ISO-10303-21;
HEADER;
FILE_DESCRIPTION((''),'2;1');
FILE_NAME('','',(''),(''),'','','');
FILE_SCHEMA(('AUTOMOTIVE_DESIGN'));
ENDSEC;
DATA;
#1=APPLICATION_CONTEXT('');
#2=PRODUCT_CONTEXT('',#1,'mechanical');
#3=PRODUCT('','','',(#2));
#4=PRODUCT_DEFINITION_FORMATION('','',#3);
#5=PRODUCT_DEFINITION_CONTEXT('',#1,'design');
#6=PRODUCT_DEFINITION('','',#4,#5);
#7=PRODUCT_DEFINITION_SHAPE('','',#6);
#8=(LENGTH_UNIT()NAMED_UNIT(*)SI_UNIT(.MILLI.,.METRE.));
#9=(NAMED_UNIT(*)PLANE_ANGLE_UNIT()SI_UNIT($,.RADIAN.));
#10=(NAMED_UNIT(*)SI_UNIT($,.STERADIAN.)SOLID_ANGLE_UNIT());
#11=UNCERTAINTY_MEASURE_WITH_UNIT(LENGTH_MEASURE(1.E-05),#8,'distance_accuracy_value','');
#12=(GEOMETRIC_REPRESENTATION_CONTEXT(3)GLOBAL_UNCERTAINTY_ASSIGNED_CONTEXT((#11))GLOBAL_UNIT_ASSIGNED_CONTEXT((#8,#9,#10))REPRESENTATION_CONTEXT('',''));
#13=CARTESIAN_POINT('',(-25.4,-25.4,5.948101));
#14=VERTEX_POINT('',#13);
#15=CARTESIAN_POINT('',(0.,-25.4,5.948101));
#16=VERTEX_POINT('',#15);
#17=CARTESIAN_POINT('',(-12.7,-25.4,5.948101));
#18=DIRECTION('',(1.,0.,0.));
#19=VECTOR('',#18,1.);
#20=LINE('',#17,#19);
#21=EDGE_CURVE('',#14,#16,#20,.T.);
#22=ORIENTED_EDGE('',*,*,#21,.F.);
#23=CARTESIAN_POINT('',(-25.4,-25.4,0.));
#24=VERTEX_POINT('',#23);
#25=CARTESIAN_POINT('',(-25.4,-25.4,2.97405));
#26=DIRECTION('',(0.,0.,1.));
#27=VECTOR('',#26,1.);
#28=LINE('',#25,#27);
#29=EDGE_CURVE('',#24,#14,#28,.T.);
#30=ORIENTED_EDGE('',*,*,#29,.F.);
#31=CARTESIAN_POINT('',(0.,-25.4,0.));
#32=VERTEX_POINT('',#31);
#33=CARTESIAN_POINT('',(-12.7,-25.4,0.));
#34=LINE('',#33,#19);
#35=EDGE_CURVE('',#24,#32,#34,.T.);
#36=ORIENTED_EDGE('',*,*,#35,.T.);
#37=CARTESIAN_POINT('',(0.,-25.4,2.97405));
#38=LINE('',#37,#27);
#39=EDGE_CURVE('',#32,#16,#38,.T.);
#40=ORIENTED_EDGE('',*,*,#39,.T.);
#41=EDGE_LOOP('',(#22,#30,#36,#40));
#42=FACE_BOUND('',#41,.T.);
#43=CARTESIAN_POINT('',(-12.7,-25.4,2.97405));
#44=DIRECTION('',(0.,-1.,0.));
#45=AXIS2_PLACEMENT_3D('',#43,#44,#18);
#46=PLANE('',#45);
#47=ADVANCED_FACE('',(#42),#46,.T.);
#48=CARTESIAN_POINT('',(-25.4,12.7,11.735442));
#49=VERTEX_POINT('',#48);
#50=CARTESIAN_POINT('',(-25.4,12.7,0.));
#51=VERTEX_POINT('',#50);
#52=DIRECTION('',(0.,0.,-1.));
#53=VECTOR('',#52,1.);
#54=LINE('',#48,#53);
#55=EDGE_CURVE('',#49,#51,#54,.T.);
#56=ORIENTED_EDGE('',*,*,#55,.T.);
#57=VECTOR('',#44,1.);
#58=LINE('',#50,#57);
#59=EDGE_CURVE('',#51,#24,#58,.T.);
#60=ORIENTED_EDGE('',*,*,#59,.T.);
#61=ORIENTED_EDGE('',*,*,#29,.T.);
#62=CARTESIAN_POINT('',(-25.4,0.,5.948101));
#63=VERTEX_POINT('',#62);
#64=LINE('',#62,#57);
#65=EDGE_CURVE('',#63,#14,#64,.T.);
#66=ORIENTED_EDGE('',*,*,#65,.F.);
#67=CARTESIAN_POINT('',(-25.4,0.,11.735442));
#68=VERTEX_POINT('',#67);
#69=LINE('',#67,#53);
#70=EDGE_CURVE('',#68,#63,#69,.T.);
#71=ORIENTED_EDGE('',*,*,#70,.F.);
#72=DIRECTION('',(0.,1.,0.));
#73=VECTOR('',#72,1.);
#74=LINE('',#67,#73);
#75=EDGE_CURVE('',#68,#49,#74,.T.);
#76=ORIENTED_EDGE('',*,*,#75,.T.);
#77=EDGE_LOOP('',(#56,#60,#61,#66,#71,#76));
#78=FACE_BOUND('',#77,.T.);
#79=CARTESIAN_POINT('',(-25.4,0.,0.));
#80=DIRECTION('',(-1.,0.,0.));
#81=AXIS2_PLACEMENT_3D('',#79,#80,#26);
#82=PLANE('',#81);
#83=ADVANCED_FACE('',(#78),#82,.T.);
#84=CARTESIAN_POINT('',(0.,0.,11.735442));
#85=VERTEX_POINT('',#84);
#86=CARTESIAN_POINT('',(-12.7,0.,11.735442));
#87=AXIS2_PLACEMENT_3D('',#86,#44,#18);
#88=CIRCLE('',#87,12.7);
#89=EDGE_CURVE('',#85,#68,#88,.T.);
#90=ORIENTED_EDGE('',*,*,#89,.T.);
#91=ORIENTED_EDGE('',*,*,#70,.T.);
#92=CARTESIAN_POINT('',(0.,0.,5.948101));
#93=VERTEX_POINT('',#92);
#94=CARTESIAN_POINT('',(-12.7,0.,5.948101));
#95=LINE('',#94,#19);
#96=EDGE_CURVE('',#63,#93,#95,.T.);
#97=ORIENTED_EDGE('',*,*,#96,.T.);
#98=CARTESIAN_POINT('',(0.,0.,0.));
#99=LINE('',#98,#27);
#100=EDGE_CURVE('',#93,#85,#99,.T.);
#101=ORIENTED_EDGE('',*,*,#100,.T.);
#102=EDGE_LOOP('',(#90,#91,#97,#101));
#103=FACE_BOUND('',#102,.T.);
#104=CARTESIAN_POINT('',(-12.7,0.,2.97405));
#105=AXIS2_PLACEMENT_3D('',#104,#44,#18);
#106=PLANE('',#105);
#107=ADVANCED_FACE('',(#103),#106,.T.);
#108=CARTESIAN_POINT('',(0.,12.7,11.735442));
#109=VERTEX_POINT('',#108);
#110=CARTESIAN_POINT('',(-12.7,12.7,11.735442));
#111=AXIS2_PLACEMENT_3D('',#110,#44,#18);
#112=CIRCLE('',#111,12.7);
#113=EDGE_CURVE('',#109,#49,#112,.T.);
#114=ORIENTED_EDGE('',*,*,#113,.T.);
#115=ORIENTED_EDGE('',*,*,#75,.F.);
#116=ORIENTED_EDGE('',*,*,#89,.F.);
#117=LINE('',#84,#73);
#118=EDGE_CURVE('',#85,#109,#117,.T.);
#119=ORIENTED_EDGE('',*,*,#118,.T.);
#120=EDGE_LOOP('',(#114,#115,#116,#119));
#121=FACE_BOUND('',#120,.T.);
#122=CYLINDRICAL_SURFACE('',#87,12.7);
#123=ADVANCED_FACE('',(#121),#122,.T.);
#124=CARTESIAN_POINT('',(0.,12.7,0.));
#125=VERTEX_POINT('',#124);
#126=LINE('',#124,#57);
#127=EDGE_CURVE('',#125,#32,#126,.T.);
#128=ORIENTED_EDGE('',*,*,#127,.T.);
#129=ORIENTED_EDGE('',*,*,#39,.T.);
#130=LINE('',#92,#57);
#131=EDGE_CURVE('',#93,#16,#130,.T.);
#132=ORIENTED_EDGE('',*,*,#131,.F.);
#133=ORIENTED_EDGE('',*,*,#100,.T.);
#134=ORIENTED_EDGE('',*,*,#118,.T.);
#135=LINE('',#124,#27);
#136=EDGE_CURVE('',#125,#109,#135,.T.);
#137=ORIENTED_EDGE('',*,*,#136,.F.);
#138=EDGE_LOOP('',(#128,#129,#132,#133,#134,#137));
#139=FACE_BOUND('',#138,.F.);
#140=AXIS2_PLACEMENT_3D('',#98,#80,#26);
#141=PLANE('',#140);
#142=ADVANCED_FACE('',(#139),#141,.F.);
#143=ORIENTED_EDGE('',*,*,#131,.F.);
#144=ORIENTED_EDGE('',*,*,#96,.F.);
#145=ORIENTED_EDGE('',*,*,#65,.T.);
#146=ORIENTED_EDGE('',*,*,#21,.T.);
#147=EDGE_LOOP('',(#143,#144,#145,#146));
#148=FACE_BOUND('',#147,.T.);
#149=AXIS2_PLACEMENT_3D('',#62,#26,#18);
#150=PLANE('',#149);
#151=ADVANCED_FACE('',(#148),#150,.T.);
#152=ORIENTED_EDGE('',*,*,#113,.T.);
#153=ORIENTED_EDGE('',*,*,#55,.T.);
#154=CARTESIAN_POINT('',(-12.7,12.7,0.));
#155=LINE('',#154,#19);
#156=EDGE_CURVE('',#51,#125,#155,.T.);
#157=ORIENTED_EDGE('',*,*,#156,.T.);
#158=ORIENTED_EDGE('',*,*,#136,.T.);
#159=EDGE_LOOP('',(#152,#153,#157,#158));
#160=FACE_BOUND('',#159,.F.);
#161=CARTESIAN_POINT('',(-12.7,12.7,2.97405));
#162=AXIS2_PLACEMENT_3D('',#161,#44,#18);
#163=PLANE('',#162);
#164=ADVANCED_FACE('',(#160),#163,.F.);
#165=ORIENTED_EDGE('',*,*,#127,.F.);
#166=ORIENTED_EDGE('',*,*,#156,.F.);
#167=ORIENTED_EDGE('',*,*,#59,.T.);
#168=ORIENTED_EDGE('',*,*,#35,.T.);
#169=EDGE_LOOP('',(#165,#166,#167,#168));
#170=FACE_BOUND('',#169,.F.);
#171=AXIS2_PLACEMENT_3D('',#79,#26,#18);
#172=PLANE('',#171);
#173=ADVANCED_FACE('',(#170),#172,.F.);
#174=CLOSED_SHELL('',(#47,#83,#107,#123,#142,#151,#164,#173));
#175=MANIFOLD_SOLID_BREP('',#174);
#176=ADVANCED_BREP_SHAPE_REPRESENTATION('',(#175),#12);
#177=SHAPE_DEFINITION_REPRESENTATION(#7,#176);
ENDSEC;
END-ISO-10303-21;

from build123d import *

# Parameters (mm, degrees)
F0_W     = 25.4
F0_H     = 5.9481007091
F1_DEPTH = 12.7
F2_DEPTH = 25.4


with BuildPart() as f1:
    # F0 (on Front) → F1 (new body)
    with BuildSketch(Plane.XZ):
        with Locations((-12.7, 2.9740503545)):
            Rectangle(F0_W, F0_H)
        with BuildLine():
            Line((-25.4, 11.7354422192), (-25.4, 5.9481007091))
            Line((-25.4, 5.9481007091), (0, 5.9481007091))
            Line((0, 5.9481007091), (0, 11.7354422192))
            ThreePointArc((0, 11.7354422192), (-12.7, 24.4354422192), (-25.4, 11.7354422192))
        make_face()
    extrude(amount=-F1_DEPTH)

    # F0 (on Front) → F2 (join)
    with BuildSketch(Plane.XZ):
        with Locations((-12.7, 2.9740503545)):
            Rectangle(F0_W, F0_H)
    extrude(amount=F2_DEPTH)


solid = f1.part
